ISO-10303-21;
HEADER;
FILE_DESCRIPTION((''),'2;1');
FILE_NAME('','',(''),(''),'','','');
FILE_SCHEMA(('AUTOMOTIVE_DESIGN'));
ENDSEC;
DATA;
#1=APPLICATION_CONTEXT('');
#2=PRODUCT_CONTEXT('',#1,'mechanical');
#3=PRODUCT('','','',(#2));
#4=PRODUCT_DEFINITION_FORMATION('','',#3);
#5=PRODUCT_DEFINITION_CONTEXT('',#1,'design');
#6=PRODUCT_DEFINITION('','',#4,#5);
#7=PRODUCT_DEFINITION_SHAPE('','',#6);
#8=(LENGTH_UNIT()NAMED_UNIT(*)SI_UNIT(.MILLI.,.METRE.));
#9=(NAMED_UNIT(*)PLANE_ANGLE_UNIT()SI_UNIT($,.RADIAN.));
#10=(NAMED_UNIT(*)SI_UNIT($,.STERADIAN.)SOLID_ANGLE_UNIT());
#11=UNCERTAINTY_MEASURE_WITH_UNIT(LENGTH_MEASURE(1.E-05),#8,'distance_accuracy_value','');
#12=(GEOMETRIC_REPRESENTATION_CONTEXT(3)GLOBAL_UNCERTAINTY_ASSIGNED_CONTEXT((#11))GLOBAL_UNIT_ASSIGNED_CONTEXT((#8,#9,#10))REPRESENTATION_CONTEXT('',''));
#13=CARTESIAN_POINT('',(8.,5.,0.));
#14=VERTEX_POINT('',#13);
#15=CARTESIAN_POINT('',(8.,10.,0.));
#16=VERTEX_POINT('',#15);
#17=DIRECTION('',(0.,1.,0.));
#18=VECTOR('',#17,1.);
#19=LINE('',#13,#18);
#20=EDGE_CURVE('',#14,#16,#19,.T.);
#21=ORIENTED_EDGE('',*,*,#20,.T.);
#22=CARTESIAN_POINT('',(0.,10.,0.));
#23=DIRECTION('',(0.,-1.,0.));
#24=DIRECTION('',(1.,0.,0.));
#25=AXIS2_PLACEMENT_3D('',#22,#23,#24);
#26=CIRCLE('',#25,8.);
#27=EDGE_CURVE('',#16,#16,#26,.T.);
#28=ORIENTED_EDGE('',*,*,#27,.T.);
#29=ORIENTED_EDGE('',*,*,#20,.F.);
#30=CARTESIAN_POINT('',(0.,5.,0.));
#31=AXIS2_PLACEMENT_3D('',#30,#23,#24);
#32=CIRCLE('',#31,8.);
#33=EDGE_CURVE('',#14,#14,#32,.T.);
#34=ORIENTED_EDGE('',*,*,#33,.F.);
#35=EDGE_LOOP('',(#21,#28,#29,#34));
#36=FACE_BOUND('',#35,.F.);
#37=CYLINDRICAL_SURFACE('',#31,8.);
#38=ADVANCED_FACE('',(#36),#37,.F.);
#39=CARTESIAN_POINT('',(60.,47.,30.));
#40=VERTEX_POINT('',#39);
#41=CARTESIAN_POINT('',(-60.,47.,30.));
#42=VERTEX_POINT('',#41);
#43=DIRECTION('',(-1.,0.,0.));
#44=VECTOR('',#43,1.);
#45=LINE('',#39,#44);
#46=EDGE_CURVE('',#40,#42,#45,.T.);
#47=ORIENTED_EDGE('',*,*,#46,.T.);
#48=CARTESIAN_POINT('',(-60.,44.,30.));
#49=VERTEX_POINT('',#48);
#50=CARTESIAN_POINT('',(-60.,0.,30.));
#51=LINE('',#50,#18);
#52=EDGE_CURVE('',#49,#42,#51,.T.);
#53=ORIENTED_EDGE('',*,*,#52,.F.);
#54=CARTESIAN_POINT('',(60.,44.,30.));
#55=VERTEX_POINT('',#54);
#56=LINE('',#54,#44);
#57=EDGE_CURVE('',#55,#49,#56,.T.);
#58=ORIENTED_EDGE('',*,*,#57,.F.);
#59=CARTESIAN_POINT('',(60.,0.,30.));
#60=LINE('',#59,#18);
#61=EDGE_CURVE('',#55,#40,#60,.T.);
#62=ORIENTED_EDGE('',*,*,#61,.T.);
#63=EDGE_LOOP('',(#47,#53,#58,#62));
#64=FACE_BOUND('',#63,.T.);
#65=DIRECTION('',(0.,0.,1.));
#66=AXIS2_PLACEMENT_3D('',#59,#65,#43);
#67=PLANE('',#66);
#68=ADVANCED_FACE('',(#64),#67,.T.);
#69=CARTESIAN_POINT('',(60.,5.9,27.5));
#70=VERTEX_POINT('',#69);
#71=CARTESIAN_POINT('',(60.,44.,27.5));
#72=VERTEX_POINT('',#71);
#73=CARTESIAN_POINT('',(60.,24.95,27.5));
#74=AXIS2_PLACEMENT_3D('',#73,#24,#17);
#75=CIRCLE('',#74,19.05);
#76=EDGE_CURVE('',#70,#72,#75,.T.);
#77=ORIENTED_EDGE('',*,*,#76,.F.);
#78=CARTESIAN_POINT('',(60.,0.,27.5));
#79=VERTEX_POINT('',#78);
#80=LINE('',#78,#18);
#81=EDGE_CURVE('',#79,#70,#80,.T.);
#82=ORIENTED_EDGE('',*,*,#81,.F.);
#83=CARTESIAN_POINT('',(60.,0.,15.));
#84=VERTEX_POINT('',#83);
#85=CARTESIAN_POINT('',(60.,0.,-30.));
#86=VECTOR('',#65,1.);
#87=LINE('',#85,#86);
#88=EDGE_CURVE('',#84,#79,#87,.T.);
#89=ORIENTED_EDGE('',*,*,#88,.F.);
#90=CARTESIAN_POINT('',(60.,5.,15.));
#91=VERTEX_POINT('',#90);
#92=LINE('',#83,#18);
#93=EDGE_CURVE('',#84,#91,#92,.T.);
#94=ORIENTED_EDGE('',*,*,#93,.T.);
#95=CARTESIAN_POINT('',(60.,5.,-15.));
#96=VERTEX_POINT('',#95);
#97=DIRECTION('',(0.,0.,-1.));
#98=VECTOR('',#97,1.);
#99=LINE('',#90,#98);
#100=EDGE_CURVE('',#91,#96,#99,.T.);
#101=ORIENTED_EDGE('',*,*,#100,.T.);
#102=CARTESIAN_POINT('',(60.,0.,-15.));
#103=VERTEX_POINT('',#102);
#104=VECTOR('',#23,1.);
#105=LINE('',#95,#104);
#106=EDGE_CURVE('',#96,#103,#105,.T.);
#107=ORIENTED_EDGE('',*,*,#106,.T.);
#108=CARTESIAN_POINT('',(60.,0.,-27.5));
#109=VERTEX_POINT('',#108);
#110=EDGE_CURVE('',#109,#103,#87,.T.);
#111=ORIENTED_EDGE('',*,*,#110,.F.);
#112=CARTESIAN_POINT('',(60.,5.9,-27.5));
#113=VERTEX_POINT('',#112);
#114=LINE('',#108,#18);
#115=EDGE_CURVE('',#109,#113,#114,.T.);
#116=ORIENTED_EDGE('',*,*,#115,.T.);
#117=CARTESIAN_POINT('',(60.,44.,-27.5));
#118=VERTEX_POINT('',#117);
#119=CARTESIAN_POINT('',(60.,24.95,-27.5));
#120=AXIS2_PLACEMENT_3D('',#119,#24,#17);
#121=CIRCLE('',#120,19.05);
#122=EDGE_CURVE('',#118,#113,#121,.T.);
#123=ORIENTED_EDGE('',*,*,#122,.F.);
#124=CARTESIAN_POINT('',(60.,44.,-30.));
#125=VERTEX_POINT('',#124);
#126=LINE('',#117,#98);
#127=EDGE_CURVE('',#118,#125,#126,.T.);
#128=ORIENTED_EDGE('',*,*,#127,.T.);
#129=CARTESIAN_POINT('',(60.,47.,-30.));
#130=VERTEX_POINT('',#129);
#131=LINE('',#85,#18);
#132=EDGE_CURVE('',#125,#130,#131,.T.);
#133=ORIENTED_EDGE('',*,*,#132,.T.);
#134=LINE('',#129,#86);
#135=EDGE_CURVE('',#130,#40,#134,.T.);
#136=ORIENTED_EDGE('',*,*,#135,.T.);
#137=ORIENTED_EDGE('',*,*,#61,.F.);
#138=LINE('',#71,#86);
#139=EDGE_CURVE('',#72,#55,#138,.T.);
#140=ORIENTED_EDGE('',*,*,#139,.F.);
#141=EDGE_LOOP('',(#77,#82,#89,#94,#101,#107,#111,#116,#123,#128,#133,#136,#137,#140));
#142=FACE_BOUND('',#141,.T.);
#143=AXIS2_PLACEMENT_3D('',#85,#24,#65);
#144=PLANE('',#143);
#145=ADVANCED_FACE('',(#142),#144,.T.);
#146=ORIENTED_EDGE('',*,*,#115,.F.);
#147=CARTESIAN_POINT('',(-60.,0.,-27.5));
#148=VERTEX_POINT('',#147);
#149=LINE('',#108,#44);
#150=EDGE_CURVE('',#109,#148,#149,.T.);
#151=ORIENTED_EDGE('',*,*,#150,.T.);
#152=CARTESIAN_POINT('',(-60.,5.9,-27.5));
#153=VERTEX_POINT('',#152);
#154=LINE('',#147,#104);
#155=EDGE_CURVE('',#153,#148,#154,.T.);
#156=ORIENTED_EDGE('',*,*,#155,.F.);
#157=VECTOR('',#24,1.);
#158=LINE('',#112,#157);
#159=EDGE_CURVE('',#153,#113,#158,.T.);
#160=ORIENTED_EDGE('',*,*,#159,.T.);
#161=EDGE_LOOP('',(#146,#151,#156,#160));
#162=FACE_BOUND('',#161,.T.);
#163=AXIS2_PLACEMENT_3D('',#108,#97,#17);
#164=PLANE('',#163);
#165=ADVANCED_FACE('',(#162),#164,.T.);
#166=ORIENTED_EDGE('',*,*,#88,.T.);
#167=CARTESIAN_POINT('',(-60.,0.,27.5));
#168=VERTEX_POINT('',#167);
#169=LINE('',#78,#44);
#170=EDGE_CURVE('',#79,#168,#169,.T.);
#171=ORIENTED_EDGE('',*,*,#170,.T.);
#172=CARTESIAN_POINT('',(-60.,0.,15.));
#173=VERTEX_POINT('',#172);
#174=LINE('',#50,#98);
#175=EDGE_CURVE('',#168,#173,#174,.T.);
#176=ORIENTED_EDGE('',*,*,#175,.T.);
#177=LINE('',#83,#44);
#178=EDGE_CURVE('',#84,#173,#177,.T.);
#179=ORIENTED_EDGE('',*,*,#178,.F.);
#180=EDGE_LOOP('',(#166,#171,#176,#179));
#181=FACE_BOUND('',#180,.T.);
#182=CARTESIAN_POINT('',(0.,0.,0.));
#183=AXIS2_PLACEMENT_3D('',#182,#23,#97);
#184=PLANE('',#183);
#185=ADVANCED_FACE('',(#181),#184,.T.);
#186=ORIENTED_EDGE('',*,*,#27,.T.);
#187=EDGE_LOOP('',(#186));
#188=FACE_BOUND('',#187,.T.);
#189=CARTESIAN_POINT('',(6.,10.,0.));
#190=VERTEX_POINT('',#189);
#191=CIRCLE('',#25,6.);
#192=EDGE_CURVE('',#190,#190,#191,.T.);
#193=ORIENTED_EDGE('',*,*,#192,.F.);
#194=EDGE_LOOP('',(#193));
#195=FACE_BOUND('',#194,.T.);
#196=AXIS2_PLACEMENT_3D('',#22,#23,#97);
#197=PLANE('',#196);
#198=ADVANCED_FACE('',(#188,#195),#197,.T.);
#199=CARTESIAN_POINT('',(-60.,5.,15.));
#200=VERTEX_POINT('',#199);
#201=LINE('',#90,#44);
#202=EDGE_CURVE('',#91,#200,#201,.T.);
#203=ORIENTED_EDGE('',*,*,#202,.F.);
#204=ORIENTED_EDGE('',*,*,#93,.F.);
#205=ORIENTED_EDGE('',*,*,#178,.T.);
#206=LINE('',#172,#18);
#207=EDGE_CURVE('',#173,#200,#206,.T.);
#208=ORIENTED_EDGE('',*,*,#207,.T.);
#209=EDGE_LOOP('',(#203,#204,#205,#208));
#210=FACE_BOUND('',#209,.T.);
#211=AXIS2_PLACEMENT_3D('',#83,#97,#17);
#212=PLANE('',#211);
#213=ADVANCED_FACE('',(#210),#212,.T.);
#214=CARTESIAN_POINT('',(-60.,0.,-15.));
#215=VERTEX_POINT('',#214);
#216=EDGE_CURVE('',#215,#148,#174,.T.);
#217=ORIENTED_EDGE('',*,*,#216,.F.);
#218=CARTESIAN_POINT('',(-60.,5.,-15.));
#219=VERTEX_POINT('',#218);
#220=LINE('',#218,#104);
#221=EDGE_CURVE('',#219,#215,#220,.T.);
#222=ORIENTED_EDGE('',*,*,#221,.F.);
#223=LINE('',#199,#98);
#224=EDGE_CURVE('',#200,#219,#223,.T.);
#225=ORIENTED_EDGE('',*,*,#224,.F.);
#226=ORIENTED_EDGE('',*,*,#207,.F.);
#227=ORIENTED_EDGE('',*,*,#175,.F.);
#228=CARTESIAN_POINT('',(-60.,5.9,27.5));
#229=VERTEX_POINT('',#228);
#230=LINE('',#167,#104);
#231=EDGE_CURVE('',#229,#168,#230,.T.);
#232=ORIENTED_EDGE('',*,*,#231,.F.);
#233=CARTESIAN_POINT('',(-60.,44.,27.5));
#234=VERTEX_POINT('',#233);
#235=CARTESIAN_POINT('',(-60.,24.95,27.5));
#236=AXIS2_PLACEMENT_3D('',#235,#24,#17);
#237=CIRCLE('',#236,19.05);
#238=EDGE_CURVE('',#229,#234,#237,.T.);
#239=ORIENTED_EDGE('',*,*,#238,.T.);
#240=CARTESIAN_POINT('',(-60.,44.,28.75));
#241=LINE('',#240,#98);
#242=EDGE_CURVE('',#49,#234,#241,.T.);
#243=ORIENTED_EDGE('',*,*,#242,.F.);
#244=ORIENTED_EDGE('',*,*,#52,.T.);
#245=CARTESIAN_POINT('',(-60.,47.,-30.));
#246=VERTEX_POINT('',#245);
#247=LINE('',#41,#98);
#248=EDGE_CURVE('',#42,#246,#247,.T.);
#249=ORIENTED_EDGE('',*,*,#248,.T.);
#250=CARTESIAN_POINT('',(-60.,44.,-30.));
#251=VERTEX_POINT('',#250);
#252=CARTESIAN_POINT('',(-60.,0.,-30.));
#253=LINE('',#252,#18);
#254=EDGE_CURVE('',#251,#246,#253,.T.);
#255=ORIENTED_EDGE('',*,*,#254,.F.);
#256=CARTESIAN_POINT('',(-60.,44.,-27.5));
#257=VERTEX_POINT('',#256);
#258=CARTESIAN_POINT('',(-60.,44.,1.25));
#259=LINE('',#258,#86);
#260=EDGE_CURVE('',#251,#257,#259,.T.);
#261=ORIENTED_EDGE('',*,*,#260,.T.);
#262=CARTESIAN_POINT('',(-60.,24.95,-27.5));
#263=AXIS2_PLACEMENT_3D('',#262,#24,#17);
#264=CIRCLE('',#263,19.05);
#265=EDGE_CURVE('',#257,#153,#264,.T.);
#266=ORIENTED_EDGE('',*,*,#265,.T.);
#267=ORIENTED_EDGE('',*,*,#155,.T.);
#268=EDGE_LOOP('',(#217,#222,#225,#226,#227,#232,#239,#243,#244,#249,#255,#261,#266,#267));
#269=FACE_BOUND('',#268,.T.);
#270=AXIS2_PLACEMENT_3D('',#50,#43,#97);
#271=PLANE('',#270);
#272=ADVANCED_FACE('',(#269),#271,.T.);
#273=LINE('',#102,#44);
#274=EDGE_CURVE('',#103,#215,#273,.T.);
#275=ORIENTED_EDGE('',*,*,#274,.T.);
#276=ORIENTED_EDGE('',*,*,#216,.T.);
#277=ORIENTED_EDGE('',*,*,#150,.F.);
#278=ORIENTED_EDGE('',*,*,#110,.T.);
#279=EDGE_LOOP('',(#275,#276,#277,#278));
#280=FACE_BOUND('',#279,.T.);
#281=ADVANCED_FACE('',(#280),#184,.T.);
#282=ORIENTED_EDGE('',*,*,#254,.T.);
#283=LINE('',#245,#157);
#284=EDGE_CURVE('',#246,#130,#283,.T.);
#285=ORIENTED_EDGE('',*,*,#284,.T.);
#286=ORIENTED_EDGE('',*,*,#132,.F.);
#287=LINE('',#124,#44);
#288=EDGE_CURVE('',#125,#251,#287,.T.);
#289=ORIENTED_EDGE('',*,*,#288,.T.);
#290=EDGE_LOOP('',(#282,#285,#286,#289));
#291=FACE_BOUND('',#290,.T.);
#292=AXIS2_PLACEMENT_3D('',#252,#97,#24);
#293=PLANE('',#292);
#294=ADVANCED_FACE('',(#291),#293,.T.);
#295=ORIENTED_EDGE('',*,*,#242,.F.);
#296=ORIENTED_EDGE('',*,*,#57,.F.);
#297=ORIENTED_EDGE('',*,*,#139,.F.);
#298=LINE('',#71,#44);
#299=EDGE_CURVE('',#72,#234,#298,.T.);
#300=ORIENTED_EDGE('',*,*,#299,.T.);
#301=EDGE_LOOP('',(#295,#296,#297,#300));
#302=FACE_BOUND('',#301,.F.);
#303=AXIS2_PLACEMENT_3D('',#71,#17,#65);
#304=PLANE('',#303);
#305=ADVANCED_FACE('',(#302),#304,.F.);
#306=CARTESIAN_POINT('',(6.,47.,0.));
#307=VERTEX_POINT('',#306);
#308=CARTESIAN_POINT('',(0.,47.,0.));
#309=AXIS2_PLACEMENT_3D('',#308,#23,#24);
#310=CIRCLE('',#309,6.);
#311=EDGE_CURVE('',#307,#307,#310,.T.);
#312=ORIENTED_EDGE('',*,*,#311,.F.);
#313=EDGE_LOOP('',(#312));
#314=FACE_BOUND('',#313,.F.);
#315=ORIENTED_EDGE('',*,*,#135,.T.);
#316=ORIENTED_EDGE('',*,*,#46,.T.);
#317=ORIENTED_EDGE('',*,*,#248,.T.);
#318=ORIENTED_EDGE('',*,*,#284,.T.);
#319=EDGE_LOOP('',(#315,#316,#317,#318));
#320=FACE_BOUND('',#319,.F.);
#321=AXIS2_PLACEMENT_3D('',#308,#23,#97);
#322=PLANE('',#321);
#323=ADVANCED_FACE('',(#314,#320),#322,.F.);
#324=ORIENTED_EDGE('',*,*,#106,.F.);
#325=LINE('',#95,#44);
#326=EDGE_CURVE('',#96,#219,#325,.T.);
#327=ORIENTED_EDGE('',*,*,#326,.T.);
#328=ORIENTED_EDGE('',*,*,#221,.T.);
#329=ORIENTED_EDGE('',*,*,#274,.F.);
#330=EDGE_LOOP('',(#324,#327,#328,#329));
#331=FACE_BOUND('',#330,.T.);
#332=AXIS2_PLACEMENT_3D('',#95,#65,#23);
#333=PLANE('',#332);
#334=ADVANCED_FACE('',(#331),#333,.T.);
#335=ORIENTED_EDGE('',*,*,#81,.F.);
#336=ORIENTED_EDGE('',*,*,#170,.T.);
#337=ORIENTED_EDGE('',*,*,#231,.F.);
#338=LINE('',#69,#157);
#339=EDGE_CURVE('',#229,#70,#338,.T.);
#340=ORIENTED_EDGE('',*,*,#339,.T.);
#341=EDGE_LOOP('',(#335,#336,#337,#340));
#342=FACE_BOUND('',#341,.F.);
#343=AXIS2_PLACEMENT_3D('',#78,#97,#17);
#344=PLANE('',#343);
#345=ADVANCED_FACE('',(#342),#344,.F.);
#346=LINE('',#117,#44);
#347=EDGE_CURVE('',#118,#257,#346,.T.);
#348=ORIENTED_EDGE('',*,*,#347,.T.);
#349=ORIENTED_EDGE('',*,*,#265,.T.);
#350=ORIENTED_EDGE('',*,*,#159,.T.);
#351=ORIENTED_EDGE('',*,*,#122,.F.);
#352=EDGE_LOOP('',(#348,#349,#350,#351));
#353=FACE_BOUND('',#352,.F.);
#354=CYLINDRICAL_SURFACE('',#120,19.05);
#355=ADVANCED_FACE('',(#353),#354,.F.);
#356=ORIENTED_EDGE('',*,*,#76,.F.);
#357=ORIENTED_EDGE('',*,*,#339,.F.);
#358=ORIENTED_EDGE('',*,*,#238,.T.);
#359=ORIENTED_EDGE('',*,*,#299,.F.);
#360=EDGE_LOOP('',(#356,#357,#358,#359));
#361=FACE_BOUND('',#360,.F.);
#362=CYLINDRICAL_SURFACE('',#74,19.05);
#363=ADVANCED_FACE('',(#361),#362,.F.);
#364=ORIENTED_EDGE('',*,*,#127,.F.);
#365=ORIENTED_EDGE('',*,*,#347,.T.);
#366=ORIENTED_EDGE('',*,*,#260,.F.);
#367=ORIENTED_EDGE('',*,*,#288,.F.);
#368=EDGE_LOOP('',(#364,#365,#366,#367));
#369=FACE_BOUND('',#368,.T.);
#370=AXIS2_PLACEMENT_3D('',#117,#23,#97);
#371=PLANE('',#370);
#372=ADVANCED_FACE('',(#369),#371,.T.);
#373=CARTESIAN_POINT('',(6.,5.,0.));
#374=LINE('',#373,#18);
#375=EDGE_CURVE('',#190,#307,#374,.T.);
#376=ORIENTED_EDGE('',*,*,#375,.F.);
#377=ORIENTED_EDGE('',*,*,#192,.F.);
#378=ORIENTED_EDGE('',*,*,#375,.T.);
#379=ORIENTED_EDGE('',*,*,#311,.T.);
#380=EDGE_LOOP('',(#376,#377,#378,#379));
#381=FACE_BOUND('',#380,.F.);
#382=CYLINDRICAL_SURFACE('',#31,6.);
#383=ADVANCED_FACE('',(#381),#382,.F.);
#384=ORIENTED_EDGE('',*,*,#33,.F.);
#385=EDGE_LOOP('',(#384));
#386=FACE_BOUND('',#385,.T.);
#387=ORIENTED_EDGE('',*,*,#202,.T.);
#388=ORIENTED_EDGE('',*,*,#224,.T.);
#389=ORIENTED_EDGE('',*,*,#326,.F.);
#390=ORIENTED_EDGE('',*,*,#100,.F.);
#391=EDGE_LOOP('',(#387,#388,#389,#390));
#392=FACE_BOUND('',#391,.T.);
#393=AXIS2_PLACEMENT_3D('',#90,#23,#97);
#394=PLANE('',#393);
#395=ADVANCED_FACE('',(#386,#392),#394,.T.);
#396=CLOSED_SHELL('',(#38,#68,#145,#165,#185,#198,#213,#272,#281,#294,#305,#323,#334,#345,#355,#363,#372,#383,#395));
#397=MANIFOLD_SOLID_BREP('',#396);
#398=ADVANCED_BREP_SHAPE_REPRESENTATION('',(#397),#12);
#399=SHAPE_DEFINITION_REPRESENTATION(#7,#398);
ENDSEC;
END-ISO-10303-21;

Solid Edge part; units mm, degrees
sketch "Sketch1" plane through (0, 0, 0) normal (0, -1, 0) x (1, 0, 0)
  line L0 (60, -30) -> (60, 30)
  line L1 (60, 30) -> (-60, 30)
  line L2 (-60, 30) -> (-60, -30)
  line L3 (-60, -30) -> (60, -30)
extrude "Protrusion1" add sketch "Sketch1" against normal blind 47
sketch "Sketch2" plane through (60, 23.5, 0) normal (1, 0, 0) x (0, 1, 0)
  line L0 (-23.5, 30) -> (-23.5, 27.5)
  line L1 (-23.5, 27.5) -> (20.5, 27.5)
  line L2 (20.5, 27.5) -> (20.5, 30)
  line L3 (20.5, 30) -> (-23.5, 30)
extrude "ExtrudedCutout_1" cut sketch "Sketch2" against normal blind 121
sketch "Sketch3" plane through (60, 23.5, 0) normal (1, 0, 0) x (0, 1, 0)
  line L0 (-23.5, -30) -> (-23.5, -27.5)
  line L1 (-23.5, -27.5) -> (20.5, -27.5)
  line L2 (20.5, -27.5) -> (20.5, -30)
  line L3 (20.5, -30) -> (-23.5, -30)
extrude "ExtrudedCutout_2" cut sketch "Sketch3" against normal blind 121
sketch "Sketch4" plane through (60, 23.5, 0) normal (1, 0, 0) x (0, 1, 0)
  circle A0 centre (1.45, 27.5) radius 19.05
extrude "ExtrudedCutout_3" cut sketch "Sketch4" against normal blind 121
sketch "Sketch5" plane through (60, 23.5, 0) normal (1, 0, 0) x (0, 1, 0)
  circle A0 centre (1.45, -27.5) radius 19.05
extrude "ExtrudedCutout_5" cut sketch "Sketch5" against normal blind 121
sketch "Sketch6" plane through (60, 23.5, 0) normal (1, 0, 0) x (0, 0, -1)
  line L0 (-27.5, -23.5) -> (-15, -23.5)
  line L1 (-15, -23.5) -> (-15, -18.5)
  line L2 (-15, -18.5) -> (15, -18.5)
  line L3 (15, -18.5) -> (15, -23.5)
  line L4 (15, -23.5) -> (27.5, -23.5)
extrude "ExtrudedCutout_6" cut sketch "Sketch6" against normal blind 120 material side at (60, -0.05, 21.25)
sketch "Sketch7" plane through (0, 5, 0) normal (0, -1, 0) x (1, 0, 0)
  circle A0 centre (0, 0) radius 6
extrude "ExtrudedCutout_7" cut sketch "Sketch7" against normal blind 47
sketch "Sketch8" plane through (0, 5, 0) normal (0, -1, 0) x (1, 0, 0)
  circle A0 centre (0, 0) radius 8
extrude "ExtrudedCutout_8" cut sketch "Sketch8" against normal blind 5
